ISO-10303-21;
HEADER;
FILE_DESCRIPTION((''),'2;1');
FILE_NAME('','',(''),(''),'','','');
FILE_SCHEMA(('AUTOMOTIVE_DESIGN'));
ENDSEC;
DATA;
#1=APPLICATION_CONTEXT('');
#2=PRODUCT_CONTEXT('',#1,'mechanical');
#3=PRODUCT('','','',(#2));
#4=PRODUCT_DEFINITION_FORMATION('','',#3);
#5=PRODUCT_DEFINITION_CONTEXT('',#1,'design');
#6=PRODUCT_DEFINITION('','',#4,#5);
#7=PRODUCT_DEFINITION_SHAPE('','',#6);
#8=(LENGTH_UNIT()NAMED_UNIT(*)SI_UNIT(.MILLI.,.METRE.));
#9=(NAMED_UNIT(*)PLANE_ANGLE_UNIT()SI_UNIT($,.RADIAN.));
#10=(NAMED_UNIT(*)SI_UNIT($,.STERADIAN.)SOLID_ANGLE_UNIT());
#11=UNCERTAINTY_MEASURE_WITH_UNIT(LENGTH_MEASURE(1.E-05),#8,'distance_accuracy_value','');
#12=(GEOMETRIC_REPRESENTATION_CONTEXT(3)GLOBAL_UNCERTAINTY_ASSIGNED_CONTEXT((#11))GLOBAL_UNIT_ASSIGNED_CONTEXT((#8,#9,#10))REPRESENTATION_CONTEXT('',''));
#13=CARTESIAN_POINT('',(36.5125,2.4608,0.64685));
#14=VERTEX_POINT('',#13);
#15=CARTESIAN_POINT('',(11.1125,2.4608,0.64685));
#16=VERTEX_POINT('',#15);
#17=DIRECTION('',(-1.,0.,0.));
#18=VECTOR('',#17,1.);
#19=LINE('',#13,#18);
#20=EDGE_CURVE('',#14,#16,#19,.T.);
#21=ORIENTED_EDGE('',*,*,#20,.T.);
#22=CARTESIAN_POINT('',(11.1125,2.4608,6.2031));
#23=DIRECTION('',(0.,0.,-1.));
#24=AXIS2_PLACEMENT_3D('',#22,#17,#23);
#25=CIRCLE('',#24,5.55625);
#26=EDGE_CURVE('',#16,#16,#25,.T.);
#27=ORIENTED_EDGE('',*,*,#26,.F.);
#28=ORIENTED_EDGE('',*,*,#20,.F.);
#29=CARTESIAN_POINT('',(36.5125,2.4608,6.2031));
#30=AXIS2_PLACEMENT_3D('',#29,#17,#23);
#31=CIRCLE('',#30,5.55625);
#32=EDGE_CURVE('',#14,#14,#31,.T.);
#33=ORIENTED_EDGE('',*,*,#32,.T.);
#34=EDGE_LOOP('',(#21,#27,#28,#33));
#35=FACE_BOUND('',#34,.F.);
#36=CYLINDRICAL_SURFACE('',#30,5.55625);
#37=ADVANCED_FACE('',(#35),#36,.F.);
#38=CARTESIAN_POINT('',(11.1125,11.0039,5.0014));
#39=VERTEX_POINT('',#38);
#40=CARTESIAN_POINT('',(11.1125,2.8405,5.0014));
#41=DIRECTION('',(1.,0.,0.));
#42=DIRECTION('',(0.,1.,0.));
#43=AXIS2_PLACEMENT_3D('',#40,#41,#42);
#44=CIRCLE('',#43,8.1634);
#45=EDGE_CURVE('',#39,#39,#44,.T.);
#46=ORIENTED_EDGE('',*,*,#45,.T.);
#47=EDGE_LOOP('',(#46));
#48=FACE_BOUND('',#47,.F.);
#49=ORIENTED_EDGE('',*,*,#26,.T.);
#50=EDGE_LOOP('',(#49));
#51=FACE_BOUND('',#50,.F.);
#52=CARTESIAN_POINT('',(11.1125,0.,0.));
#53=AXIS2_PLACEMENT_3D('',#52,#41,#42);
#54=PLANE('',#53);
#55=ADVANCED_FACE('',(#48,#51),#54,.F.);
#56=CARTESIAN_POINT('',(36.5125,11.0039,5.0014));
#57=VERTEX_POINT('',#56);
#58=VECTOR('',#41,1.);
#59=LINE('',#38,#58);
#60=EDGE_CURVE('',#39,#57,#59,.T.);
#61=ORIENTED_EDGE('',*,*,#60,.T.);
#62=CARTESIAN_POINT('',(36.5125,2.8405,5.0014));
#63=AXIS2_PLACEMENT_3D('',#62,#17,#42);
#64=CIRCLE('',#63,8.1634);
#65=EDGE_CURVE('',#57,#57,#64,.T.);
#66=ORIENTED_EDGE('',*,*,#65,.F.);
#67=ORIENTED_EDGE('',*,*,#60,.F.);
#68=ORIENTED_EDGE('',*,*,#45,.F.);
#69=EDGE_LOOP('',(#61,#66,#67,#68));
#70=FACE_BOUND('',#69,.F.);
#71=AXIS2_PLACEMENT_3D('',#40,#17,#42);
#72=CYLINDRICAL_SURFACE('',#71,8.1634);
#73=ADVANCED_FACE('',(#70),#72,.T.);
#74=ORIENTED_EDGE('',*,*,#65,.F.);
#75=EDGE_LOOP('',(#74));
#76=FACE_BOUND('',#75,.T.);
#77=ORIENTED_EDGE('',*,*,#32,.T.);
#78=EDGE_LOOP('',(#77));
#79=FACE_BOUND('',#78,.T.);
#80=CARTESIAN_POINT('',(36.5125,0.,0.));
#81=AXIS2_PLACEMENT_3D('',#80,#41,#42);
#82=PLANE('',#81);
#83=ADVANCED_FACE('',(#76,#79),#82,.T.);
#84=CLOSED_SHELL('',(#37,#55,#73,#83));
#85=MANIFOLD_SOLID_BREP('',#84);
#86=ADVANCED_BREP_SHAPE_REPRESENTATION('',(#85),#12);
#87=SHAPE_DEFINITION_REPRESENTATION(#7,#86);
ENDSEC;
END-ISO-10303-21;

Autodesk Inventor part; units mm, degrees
ref_plane "XZ Plane" through (0, 0, 0) normal (0, 1, 0) x (-1, 0, 0)
ref_plane "XY Plane" through (0, 0, 0) normal (0, 0, 1) x (1, 0, 0)
ref_plane "Work Plane1" through (11.1125, 0, 0) normal (1, 0, 0) x (0, 1, 0)
sketch "Sketch1" plane through (11.1125, 0, 0) normal (1, 0, 0) x (0, 1, 0)
  circle A0 centre (2.8405, 5.0014) radius 8.1634
  arc A1 (4.3899, 0) -> (1.128, -3.1259) centre (-0.2391, 1.5655) ccw
  point P0 (0, 0)
extrude "Extrusion1" add sketch "Sketch1" along normal blind 25.4
hole "Hole1" at (36.5125, 2.4608, 6.2031) direction (-1, 0, 0) diameter 11.1125 end through all
